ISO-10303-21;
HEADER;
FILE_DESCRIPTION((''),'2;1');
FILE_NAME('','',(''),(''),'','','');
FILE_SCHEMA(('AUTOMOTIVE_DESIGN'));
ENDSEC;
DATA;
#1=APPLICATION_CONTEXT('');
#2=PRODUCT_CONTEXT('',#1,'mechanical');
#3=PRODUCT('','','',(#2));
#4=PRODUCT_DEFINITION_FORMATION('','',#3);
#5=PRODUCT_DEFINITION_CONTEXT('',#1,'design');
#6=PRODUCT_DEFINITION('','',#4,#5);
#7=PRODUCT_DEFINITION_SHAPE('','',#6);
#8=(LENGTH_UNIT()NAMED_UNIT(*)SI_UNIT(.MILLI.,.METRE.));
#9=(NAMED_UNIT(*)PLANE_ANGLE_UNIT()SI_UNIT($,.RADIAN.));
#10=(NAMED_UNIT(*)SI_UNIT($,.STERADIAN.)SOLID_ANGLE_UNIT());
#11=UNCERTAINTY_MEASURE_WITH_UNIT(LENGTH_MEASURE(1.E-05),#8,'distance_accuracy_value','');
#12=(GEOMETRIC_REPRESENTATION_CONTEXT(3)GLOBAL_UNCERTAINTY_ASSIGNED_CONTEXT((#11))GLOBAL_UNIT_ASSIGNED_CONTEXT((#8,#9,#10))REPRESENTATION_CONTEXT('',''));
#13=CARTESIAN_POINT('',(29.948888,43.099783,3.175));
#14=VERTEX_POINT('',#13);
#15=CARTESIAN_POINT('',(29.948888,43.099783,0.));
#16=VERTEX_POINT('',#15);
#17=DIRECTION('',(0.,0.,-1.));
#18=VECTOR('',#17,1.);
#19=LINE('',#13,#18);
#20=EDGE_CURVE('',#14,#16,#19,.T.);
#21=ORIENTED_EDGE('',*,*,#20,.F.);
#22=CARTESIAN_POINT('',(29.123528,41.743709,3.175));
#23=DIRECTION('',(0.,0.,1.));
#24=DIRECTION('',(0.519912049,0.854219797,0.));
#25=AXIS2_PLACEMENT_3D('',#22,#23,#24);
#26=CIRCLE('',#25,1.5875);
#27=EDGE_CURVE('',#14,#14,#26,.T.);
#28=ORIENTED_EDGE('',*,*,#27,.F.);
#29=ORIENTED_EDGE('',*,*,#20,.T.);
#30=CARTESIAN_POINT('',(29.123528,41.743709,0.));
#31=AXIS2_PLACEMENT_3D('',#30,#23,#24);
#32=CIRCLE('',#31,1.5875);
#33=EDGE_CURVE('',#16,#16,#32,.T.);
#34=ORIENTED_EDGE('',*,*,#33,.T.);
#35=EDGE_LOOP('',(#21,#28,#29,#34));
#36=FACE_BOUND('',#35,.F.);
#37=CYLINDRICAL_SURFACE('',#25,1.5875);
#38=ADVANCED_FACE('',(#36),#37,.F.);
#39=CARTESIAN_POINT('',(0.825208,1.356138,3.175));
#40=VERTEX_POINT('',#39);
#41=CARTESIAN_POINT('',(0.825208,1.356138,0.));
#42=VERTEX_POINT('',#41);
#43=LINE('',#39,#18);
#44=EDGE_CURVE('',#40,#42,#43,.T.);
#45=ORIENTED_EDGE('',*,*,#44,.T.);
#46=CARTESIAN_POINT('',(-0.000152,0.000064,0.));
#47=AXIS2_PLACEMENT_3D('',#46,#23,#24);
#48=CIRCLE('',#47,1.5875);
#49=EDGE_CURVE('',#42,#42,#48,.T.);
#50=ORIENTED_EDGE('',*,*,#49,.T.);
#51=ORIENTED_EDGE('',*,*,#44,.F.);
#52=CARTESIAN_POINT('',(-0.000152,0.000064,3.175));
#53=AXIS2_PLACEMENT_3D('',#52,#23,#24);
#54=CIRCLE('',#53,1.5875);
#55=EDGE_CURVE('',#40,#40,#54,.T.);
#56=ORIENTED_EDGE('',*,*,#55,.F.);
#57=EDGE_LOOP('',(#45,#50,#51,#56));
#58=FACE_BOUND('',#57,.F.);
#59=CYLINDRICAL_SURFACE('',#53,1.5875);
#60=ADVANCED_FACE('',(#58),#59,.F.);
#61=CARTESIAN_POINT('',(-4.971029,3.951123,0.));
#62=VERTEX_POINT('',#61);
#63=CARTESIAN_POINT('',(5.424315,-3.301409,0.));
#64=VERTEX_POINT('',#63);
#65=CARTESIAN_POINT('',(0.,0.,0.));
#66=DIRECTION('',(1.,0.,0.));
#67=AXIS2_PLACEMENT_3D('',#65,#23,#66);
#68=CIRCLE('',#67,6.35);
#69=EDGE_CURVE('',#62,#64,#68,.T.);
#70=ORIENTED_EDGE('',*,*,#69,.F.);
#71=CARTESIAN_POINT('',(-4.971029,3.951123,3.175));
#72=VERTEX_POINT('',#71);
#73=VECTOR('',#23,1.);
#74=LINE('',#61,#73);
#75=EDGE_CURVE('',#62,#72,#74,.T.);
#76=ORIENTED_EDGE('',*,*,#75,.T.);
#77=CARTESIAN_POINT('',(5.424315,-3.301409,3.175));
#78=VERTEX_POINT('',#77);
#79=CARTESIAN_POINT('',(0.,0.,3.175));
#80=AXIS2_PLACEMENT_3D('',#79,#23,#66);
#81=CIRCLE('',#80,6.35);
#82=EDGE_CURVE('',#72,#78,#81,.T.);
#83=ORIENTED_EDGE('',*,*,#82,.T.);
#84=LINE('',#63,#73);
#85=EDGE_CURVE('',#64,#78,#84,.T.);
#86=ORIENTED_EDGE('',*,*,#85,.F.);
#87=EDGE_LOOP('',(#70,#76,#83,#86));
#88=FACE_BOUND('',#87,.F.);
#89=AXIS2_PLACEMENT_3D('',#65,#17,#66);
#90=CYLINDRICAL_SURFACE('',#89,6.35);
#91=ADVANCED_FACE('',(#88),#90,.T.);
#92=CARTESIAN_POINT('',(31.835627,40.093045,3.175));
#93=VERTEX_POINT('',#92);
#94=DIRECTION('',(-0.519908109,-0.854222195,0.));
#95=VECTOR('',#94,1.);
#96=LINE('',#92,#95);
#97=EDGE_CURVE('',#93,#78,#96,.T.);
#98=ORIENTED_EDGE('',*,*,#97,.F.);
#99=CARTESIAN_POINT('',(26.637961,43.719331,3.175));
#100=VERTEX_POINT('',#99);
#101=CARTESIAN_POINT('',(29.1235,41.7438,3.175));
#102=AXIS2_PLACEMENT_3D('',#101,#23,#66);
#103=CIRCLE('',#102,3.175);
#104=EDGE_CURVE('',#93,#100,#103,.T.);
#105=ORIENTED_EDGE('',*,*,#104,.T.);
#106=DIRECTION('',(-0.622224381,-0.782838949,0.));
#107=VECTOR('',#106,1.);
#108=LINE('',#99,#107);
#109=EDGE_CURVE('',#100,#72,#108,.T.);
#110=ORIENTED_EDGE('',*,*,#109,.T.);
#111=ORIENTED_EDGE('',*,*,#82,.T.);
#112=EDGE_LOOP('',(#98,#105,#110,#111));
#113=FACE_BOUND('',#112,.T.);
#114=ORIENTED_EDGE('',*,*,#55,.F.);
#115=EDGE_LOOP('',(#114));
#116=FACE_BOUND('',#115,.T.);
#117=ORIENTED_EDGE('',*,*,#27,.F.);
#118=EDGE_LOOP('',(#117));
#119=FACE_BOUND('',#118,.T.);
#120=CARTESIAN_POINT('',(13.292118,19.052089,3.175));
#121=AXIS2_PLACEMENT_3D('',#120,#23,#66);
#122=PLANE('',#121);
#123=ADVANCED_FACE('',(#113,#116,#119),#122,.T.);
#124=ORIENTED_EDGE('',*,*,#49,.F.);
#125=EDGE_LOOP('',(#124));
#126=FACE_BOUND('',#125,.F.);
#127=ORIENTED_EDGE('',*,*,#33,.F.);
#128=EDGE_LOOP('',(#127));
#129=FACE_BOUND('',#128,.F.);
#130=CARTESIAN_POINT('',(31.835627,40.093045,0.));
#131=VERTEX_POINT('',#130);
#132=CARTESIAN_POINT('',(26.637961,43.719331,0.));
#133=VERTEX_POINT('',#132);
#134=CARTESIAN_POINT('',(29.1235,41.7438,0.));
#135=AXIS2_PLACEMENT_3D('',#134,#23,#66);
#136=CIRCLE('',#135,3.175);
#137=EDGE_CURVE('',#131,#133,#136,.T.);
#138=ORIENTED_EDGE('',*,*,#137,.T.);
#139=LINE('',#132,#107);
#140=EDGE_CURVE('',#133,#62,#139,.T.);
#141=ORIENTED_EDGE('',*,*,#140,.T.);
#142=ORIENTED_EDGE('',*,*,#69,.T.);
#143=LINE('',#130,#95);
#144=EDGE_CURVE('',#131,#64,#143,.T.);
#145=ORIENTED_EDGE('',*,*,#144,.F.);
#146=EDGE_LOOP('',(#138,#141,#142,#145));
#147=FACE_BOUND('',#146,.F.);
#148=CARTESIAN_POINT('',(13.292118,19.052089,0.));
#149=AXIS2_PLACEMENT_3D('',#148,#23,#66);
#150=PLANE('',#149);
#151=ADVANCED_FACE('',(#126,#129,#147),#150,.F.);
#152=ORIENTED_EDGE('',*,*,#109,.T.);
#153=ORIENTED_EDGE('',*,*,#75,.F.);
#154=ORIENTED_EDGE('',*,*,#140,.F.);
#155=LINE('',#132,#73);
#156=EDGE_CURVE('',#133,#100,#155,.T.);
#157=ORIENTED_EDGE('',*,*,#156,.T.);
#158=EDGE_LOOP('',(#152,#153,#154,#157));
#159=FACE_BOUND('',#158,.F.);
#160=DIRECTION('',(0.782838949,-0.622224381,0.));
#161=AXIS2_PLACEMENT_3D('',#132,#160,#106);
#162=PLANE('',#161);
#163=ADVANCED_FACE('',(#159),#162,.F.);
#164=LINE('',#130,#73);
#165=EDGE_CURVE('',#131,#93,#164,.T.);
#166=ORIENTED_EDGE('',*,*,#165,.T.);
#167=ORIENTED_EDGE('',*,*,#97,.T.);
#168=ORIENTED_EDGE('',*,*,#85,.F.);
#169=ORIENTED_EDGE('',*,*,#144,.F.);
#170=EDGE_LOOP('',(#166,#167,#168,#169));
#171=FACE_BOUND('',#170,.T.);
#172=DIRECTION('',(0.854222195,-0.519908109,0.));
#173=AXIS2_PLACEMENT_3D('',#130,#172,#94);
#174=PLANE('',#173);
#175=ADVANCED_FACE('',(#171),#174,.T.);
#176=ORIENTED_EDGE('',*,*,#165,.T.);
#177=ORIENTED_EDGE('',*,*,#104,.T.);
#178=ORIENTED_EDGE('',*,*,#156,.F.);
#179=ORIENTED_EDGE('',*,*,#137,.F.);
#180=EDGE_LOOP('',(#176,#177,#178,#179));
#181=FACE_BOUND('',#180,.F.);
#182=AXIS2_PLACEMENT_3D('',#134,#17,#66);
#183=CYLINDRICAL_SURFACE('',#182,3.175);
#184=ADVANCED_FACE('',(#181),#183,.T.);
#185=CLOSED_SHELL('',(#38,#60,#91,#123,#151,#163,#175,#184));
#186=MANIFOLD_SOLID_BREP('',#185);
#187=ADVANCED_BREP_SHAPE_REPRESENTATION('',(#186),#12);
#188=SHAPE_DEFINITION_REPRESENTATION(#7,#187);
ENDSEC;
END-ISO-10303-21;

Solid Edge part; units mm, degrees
sketch "Sketch1" plane through (0, 0, 0) normal (0, 0, 1) x (1, 0, 0)
  line L0 (26.638, 43.7193) -> (-4.971, 3.9511)
  line L1 (31.8357, 40.093) -> (5.4243, -3.3014)
  arc A0 (31.8357, 40.093) -> (26.638, 43.7193) centre (29.1235, 41.7438) ccw
  arc A1 (-4.971, 3.9511) -> (5.4243, -3.3014) centre (0, 0) ccw
  dimension "D1" = 6.35
  dimension "D2" = 3.175
  dimension "D3" = 50.8
extrude "Protrusion1" add sketch "Sketch1" along normal blind 3.175
sketch "Sketch2" plane through (19.5771, 30.133, 3.175) normal (0, 0, 1) x (0.5199, 0.8542, 0)
  circle A0 centre (14.8814, -2.1182) radius 1.5875
  circle A1 centre (-35.9186, 1.0568) radius 1.5875
  dimension "D1" = 3.175
  dimension "D2" = 3.175
extrude "Cutout1" cut sketch "Sketch2" against normal through all
properties material "ALUMINUM"
